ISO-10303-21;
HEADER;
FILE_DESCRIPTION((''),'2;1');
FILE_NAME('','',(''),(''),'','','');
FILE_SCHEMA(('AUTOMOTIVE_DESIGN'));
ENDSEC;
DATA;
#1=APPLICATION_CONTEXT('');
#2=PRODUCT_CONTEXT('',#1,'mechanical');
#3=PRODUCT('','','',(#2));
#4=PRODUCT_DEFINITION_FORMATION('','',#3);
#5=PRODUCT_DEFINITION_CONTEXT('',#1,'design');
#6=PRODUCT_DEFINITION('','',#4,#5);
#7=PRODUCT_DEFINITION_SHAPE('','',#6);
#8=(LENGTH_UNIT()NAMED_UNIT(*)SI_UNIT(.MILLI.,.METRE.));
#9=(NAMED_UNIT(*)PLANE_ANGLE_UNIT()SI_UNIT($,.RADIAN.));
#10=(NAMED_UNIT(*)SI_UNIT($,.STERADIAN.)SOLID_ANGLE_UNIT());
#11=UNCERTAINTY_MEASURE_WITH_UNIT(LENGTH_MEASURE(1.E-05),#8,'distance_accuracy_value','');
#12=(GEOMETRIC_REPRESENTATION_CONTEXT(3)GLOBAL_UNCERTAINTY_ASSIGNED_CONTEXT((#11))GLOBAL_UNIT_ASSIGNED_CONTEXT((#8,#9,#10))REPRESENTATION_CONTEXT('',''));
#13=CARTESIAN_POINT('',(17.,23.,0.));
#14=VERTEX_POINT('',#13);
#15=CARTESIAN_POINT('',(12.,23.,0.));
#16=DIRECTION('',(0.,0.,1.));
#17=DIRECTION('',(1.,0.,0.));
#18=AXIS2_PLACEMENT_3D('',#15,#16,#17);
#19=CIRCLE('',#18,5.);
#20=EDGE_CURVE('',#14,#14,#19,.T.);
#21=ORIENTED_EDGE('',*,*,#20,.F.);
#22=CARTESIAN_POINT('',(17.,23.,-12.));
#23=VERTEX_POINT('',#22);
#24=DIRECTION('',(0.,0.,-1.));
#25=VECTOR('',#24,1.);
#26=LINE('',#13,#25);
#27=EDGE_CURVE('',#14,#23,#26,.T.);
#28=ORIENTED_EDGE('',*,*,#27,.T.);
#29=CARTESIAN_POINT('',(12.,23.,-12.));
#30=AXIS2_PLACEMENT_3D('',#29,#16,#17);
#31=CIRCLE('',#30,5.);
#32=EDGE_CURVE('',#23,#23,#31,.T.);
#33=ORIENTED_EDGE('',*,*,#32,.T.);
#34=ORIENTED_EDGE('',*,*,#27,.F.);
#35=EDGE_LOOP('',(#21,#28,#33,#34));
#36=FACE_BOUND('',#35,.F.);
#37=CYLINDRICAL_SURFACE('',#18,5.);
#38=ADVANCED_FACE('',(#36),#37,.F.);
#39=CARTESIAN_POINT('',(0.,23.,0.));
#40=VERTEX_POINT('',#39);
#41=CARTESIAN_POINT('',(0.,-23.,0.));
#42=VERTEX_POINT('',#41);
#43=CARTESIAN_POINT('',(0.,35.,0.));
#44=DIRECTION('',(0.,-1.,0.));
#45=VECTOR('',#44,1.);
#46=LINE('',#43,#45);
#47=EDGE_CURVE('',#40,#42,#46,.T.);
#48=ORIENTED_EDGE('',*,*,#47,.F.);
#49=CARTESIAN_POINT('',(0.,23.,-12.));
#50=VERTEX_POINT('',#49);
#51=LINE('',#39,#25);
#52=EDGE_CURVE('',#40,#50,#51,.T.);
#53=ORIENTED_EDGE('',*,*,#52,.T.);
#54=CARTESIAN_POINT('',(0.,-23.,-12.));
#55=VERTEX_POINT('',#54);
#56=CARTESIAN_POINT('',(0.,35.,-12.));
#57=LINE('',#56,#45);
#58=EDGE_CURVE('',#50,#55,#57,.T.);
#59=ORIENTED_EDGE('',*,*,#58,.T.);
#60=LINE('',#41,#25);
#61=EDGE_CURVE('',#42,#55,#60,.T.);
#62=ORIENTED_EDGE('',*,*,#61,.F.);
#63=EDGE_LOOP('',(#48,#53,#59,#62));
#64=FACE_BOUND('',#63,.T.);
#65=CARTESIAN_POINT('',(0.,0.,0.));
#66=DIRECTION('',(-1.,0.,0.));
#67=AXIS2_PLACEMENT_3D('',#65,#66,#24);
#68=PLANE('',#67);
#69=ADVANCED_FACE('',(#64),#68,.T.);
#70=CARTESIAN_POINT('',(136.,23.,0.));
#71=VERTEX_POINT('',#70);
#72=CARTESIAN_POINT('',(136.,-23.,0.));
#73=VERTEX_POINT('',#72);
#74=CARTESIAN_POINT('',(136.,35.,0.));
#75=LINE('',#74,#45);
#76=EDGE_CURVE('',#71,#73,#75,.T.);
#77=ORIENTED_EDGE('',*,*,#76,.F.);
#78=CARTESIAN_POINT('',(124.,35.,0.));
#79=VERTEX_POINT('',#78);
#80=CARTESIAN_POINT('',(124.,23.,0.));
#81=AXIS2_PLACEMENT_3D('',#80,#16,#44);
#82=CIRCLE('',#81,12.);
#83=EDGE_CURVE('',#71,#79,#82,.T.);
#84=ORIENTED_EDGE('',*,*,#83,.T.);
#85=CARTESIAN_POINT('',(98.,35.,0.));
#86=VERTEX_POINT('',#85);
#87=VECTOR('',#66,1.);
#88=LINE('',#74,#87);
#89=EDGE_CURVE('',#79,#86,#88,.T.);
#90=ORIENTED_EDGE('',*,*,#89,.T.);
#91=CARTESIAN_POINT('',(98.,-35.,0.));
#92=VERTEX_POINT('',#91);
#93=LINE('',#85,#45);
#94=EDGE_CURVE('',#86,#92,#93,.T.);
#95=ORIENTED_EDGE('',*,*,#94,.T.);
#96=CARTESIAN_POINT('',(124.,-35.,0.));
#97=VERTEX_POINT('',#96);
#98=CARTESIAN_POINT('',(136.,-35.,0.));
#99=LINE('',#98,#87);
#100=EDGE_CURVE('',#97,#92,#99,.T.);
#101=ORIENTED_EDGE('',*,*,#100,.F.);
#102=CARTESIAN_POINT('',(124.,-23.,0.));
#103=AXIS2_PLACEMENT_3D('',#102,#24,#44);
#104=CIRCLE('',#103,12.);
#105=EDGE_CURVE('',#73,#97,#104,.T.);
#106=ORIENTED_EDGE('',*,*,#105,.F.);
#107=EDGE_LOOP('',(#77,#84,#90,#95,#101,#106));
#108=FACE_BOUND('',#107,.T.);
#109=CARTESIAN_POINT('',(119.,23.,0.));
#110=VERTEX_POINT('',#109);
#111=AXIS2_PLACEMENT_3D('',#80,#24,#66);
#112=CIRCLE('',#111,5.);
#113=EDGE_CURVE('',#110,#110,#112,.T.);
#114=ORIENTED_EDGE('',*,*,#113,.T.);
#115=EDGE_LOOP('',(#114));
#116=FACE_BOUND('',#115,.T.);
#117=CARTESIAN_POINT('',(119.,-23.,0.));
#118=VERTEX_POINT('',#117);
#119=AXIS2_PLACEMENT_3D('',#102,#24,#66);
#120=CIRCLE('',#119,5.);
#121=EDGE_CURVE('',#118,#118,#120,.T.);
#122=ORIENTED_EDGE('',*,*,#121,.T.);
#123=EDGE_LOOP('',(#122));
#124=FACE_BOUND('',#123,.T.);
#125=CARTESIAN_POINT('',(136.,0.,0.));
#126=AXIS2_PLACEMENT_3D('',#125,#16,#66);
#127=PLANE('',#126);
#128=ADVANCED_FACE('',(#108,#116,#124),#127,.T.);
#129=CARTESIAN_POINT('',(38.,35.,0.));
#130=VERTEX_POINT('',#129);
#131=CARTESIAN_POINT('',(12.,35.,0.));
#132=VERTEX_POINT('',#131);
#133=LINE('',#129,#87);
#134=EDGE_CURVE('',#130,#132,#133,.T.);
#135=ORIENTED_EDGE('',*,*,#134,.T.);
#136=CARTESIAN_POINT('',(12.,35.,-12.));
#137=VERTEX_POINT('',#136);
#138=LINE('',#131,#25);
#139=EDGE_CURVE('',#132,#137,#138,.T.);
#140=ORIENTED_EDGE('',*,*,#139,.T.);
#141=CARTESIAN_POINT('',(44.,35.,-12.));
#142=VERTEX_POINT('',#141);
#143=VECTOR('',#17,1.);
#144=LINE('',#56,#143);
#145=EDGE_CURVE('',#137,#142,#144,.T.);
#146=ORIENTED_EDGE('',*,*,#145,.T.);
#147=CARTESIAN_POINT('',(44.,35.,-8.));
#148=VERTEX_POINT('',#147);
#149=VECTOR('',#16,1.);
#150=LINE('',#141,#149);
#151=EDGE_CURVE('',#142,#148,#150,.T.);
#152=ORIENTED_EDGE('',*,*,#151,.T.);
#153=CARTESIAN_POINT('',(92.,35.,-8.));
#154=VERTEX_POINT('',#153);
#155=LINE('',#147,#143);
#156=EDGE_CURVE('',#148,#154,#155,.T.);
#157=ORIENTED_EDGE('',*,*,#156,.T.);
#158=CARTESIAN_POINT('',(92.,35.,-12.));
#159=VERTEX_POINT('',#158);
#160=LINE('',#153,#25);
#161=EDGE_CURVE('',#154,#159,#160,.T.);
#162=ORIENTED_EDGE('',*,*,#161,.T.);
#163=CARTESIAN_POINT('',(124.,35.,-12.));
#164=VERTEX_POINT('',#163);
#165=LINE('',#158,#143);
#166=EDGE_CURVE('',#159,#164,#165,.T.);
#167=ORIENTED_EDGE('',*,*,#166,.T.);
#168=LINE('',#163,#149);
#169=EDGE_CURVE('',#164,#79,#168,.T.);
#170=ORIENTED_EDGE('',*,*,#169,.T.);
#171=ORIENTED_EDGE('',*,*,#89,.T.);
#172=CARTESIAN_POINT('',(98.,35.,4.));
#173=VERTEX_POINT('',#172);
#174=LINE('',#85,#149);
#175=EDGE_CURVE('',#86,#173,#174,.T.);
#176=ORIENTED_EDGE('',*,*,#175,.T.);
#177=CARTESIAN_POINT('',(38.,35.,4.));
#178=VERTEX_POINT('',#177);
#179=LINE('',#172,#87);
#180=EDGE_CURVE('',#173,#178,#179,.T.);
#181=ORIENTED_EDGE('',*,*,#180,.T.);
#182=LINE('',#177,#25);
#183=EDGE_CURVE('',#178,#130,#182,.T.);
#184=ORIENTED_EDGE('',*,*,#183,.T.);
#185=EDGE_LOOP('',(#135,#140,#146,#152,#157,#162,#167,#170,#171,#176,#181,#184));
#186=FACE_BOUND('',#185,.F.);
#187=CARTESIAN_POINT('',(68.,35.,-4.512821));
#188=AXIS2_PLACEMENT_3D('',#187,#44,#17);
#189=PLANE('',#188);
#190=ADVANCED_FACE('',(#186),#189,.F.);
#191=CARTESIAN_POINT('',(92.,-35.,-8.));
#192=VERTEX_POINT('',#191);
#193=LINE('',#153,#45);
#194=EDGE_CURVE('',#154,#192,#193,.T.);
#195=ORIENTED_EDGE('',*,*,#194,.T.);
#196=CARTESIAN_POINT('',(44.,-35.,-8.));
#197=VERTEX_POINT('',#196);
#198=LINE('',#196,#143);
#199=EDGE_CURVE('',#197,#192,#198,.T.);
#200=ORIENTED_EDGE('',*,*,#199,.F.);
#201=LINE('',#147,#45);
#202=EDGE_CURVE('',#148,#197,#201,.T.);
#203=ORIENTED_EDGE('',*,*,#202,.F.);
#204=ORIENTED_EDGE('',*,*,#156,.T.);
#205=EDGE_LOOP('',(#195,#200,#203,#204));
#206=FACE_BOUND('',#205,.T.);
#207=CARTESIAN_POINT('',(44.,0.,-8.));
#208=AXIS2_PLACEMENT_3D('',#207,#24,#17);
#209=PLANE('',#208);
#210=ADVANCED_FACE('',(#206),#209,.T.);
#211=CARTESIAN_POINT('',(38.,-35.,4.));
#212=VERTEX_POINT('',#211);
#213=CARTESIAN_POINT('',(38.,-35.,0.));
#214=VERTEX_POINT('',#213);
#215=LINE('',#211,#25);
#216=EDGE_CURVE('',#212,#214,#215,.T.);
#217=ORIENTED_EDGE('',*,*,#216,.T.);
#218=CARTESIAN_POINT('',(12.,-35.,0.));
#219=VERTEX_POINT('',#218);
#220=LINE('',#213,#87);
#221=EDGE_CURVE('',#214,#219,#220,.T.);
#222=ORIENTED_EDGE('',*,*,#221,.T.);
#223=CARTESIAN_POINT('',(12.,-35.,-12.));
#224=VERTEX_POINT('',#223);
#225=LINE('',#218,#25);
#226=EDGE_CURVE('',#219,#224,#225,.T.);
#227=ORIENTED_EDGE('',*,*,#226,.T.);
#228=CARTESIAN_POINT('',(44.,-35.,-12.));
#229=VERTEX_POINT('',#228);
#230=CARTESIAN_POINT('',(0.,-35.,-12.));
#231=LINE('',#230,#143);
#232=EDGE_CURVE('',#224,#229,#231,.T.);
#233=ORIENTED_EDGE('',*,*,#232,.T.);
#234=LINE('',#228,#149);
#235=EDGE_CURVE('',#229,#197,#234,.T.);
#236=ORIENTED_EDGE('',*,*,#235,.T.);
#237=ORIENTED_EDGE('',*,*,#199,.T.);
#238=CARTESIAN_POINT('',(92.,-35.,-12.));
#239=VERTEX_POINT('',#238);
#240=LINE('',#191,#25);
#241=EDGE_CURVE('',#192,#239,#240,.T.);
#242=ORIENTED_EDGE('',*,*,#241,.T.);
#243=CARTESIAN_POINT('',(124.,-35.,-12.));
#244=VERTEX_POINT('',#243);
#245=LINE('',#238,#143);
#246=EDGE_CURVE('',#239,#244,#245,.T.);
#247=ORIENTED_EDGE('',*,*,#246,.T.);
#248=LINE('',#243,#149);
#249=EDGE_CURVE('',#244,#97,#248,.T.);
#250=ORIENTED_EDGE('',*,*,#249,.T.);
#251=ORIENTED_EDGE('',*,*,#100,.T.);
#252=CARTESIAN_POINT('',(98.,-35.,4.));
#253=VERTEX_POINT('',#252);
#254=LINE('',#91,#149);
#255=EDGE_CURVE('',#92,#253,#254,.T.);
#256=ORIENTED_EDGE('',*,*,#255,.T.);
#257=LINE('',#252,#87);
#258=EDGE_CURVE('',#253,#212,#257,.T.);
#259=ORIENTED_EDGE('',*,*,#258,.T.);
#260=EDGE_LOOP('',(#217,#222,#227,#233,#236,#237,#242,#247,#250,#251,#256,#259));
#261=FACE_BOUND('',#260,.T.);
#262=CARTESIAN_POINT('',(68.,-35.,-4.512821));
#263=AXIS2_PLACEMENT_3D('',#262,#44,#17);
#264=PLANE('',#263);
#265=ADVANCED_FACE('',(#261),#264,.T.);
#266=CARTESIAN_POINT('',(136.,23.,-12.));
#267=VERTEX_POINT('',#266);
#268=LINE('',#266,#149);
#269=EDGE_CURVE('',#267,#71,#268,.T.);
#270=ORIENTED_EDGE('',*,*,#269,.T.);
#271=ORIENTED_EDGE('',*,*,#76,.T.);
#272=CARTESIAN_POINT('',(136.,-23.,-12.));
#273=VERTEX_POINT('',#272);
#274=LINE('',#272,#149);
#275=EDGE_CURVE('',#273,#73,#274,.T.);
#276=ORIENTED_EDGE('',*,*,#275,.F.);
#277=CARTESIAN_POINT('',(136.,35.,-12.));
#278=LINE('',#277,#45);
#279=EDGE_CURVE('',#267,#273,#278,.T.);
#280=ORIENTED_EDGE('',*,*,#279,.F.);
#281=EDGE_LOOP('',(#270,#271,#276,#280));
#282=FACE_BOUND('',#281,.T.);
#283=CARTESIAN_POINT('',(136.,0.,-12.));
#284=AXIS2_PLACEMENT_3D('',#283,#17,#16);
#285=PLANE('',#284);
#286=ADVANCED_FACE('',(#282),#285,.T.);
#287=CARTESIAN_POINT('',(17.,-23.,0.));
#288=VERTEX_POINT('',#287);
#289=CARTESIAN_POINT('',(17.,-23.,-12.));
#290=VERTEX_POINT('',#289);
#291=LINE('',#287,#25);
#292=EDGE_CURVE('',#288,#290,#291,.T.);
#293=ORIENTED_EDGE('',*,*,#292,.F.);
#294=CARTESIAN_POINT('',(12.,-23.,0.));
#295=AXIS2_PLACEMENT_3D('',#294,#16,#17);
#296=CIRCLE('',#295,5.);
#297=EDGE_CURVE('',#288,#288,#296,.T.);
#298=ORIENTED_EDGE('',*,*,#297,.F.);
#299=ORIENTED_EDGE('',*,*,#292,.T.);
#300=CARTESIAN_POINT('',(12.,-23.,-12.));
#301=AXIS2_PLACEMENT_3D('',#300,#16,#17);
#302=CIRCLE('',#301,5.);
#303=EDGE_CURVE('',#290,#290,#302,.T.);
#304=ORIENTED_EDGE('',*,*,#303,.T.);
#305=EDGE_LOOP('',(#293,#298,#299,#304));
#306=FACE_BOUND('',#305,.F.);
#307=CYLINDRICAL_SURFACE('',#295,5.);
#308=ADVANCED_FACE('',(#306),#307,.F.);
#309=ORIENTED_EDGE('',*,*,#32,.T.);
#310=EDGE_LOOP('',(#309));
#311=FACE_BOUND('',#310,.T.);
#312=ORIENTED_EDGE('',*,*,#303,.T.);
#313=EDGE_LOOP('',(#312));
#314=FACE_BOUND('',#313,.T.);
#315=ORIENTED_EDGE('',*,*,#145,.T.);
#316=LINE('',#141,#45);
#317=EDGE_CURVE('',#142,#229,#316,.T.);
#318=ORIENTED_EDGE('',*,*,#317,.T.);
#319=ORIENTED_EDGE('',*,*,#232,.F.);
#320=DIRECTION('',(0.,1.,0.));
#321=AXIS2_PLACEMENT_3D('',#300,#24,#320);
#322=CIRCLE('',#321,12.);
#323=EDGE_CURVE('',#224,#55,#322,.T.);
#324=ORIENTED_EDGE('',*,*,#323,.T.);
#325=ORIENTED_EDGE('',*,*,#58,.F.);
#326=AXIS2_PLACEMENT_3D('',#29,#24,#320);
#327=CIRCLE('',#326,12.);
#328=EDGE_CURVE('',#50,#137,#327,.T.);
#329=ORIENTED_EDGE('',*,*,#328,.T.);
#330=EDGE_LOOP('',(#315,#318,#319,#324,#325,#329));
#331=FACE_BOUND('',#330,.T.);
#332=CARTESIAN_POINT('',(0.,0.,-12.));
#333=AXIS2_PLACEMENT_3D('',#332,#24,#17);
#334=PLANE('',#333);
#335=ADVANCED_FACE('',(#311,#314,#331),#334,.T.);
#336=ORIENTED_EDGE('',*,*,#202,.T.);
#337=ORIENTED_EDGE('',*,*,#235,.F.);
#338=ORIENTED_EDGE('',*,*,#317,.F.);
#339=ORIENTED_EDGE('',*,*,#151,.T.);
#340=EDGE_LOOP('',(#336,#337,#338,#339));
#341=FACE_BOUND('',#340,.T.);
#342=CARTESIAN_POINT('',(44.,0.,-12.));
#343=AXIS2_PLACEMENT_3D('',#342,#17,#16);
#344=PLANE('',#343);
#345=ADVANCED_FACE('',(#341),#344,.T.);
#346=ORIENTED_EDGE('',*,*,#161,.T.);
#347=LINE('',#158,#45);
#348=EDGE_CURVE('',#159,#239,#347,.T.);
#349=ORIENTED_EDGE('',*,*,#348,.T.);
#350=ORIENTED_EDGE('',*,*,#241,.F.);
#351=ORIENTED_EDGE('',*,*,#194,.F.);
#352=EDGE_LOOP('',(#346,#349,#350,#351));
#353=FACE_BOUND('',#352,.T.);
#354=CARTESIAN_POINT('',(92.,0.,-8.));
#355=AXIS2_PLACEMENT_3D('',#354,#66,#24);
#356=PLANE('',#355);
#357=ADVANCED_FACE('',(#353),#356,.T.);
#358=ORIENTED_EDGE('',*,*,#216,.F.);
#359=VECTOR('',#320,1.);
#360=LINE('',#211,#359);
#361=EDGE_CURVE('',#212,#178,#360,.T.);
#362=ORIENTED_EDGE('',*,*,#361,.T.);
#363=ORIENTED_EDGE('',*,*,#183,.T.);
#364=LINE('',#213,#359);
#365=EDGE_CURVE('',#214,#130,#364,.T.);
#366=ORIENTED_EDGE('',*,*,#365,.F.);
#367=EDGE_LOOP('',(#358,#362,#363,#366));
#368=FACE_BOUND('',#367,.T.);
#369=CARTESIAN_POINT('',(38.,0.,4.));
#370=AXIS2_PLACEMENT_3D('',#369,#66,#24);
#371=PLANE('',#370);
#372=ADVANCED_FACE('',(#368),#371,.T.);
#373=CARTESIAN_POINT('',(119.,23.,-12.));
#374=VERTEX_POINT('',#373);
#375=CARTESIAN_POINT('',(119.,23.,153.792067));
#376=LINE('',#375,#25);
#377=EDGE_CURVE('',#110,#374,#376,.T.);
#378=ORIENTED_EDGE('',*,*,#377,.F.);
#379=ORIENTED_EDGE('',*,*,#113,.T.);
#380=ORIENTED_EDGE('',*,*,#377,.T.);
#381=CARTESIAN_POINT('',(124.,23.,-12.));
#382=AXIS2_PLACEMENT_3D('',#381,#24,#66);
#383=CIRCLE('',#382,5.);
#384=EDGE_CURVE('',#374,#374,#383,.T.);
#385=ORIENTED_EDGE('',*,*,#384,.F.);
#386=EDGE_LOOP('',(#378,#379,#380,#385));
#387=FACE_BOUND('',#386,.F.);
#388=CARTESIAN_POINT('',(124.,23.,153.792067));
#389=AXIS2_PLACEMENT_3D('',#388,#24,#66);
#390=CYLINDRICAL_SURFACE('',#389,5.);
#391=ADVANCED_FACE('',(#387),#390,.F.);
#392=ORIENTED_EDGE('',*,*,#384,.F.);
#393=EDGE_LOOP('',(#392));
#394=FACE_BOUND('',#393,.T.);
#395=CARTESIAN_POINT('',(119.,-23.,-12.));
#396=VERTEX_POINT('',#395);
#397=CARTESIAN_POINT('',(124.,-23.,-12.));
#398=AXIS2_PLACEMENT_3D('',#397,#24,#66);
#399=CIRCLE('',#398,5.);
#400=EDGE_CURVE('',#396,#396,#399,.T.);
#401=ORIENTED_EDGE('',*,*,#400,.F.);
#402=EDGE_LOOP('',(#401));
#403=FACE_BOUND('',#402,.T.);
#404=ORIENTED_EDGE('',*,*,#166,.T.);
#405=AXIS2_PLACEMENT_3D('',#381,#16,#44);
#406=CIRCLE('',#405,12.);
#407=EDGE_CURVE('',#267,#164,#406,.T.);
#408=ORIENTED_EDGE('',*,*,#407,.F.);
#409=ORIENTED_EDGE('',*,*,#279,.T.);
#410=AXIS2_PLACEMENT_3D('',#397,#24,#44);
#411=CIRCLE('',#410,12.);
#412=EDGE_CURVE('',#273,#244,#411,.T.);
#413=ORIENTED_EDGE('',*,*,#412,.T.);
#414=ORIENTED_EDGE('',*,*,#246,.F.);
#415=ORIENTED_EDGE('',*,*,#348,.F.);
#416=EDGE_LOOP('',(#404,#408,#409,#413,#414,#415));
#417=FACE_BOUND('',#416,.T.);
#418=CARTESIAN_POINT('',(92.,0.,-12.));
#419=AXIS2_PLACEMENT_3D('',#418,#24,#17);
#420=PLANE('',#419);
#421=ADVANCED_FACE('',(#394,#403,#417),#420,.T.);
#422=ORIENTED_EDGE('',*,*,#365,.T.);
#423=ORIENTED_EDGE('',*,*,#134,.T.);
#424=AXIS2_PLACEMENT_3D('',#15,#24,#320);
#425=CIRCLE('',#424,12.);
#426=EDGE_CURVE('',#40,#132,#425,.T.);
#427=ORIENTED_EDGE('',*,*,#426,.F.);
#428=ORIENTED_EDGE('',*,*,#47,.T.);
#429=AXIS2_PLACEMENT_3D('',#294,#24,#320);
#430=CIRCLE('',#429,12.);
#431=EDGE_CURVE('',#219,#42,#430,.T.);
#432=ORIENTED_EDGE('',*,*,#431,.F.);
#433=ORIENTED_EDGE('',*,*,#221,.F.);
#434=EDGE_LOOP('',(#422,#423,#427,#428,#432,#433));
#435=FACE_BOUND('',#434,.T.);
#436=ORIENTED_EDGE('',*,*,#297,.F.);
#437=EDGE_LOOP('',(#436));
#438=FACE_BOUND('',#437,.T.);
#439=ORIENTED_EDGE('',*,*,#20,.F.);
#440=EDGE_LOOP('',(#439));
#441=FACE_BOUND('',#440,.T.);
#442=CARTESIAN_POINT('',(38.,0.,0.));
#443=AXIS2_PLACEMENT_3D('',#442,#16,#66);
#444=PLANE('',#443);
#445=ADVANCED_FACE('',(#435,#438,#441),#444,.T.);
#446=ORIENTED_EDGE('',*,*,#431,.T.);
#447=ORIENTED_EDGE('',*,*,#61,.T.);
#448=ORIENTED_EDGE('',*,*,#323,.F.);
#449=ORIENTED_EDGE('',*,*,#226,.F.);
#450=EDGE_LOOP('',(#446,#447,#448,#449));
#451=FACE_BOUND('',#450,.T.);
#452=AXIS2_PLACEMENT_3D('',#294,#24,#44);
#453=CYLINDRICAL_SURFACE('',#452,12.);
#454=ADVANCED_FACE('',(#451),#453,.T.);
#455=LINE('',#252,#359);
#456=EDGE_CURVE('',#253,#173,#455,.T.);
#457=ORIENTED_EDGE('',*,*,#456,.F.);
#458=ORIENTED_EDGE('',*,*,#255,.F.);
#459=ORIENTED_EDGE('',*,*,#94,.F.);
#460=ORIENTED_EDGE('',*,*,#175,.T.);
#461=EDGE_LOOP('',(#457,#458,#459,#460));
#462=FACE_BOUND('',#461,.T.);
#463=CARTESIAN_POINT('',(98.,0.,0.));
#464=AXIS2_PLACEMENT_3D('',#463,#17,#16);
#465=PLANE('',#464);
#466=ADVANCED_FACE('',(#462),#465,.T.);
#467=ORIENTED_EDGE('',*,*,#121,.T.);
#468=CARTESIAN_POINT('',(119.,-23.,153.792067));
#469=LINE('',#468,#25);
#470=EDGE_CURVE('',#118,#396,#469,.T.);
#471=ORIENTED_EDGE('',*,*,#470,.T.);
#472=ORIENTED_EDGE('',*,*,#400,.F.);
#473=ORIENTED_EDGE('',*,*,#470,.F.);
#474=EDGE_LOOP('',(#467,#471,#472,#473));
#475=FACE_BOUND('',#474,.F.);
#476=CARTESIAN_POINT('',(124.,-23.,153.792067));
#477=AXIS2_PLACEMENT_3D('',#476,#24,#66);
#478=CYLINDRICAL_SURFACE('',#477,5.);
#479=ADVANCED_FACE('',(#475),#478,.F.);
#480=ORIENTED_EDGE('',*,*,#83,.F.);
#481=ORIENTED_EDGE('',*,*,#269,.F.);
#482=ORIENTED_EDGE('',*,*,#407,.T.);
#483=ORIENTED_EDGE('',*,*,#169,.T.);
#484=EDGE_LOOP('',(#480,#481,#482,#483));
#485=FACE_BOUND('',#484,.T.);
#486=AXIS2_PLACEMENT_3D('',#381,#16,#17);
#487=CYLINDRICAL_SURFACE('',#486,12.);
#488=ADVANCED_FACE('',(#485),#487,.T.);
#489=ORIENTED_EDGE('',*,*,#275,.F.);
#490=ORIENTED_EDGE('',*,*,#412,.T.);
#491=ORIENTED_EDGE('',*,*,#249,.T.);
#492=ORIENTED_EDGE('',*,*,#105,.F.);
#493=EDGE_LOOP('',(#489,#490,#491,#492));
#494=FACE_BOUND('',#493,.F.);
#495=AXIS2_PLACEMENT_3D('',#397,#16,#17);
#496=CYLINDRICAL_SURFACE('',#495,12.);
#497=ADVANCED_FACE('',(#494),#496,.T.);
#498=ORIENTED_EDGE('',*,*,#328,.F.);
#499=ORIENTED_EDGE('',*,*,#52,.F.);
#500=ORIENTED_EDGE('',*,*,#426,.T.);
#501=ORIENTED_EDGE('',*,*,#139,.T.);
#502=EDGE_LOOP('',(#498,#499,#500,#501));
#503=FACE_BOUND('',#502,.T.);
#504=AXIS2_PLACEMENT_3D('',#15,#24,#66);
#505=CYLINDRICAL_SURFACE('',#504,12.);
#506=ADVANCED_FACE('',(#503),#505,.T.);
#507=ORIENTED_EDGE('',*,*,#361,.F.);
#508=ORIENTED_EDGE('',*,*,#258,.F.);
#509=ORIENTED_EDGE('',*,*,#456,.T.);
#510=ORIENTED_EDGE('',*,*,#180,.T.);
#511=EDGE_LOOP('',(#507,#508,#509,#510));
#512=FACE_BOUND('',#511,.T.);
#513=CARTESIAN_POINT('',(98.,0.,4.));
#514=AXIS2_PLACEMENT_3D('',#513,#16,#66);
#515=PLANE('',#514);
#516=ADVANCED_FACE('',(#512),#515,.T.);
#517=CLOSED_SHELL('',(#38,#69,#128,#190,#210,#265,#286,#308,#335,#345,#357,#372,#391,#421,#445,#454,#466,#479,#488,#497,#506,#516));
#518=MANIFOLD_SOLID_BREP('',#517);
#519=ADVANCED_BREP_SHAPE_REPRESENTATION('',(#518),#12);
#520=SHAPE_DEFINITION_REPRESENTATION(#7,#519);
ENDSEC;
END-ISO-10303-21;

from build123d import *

# Parameters (mm, degrees)
F1_DEPTH = 35
F2_R     = 12
F3_R     = 5
F4_DEPTH = 25.4
F6_D     = 10


with BuildPart() as f1:
    # F0 (on Front) → F1 (new body, symmetric)
    with BuildSketch(Plane.XZ):
        Polygon((38, 0), (0, 0), (0, -12), (44, -12), (44, -8), (92, -8), (92, -12), (136, -12), (136, 0), (98, 0), (98, 4), (68, 4), (38, 4), align=None)
    extrude(amount=F1_DEPTH, both=True)

    # F2
    f2_edges = [f1.edges().sort_by_distance(p)[0] for p in [
        (0, -35, -6),
        (136, -35, -6),
        (136, 35, -6),
        (0, 35, -6),
    ]]
    fillet(f2_edges, radius=F2_R)

    # F3 (on face) → F4 (cut)
    with BuildSketch(Plane.XY):
        with Locations((12, 23)):
            Circle(F3_R)
        with Locations((12, -23)):
            Circle(F3_R)
    extrude(amount=-F4_DEPTH, mode=Mode.SUBTRACT)

    # F6 (through all)
    with Locations(Plane.XY):
        with Locations((124, 23), (124, -23)):
            Hole(F6_D / 2)


solid = f1.part
